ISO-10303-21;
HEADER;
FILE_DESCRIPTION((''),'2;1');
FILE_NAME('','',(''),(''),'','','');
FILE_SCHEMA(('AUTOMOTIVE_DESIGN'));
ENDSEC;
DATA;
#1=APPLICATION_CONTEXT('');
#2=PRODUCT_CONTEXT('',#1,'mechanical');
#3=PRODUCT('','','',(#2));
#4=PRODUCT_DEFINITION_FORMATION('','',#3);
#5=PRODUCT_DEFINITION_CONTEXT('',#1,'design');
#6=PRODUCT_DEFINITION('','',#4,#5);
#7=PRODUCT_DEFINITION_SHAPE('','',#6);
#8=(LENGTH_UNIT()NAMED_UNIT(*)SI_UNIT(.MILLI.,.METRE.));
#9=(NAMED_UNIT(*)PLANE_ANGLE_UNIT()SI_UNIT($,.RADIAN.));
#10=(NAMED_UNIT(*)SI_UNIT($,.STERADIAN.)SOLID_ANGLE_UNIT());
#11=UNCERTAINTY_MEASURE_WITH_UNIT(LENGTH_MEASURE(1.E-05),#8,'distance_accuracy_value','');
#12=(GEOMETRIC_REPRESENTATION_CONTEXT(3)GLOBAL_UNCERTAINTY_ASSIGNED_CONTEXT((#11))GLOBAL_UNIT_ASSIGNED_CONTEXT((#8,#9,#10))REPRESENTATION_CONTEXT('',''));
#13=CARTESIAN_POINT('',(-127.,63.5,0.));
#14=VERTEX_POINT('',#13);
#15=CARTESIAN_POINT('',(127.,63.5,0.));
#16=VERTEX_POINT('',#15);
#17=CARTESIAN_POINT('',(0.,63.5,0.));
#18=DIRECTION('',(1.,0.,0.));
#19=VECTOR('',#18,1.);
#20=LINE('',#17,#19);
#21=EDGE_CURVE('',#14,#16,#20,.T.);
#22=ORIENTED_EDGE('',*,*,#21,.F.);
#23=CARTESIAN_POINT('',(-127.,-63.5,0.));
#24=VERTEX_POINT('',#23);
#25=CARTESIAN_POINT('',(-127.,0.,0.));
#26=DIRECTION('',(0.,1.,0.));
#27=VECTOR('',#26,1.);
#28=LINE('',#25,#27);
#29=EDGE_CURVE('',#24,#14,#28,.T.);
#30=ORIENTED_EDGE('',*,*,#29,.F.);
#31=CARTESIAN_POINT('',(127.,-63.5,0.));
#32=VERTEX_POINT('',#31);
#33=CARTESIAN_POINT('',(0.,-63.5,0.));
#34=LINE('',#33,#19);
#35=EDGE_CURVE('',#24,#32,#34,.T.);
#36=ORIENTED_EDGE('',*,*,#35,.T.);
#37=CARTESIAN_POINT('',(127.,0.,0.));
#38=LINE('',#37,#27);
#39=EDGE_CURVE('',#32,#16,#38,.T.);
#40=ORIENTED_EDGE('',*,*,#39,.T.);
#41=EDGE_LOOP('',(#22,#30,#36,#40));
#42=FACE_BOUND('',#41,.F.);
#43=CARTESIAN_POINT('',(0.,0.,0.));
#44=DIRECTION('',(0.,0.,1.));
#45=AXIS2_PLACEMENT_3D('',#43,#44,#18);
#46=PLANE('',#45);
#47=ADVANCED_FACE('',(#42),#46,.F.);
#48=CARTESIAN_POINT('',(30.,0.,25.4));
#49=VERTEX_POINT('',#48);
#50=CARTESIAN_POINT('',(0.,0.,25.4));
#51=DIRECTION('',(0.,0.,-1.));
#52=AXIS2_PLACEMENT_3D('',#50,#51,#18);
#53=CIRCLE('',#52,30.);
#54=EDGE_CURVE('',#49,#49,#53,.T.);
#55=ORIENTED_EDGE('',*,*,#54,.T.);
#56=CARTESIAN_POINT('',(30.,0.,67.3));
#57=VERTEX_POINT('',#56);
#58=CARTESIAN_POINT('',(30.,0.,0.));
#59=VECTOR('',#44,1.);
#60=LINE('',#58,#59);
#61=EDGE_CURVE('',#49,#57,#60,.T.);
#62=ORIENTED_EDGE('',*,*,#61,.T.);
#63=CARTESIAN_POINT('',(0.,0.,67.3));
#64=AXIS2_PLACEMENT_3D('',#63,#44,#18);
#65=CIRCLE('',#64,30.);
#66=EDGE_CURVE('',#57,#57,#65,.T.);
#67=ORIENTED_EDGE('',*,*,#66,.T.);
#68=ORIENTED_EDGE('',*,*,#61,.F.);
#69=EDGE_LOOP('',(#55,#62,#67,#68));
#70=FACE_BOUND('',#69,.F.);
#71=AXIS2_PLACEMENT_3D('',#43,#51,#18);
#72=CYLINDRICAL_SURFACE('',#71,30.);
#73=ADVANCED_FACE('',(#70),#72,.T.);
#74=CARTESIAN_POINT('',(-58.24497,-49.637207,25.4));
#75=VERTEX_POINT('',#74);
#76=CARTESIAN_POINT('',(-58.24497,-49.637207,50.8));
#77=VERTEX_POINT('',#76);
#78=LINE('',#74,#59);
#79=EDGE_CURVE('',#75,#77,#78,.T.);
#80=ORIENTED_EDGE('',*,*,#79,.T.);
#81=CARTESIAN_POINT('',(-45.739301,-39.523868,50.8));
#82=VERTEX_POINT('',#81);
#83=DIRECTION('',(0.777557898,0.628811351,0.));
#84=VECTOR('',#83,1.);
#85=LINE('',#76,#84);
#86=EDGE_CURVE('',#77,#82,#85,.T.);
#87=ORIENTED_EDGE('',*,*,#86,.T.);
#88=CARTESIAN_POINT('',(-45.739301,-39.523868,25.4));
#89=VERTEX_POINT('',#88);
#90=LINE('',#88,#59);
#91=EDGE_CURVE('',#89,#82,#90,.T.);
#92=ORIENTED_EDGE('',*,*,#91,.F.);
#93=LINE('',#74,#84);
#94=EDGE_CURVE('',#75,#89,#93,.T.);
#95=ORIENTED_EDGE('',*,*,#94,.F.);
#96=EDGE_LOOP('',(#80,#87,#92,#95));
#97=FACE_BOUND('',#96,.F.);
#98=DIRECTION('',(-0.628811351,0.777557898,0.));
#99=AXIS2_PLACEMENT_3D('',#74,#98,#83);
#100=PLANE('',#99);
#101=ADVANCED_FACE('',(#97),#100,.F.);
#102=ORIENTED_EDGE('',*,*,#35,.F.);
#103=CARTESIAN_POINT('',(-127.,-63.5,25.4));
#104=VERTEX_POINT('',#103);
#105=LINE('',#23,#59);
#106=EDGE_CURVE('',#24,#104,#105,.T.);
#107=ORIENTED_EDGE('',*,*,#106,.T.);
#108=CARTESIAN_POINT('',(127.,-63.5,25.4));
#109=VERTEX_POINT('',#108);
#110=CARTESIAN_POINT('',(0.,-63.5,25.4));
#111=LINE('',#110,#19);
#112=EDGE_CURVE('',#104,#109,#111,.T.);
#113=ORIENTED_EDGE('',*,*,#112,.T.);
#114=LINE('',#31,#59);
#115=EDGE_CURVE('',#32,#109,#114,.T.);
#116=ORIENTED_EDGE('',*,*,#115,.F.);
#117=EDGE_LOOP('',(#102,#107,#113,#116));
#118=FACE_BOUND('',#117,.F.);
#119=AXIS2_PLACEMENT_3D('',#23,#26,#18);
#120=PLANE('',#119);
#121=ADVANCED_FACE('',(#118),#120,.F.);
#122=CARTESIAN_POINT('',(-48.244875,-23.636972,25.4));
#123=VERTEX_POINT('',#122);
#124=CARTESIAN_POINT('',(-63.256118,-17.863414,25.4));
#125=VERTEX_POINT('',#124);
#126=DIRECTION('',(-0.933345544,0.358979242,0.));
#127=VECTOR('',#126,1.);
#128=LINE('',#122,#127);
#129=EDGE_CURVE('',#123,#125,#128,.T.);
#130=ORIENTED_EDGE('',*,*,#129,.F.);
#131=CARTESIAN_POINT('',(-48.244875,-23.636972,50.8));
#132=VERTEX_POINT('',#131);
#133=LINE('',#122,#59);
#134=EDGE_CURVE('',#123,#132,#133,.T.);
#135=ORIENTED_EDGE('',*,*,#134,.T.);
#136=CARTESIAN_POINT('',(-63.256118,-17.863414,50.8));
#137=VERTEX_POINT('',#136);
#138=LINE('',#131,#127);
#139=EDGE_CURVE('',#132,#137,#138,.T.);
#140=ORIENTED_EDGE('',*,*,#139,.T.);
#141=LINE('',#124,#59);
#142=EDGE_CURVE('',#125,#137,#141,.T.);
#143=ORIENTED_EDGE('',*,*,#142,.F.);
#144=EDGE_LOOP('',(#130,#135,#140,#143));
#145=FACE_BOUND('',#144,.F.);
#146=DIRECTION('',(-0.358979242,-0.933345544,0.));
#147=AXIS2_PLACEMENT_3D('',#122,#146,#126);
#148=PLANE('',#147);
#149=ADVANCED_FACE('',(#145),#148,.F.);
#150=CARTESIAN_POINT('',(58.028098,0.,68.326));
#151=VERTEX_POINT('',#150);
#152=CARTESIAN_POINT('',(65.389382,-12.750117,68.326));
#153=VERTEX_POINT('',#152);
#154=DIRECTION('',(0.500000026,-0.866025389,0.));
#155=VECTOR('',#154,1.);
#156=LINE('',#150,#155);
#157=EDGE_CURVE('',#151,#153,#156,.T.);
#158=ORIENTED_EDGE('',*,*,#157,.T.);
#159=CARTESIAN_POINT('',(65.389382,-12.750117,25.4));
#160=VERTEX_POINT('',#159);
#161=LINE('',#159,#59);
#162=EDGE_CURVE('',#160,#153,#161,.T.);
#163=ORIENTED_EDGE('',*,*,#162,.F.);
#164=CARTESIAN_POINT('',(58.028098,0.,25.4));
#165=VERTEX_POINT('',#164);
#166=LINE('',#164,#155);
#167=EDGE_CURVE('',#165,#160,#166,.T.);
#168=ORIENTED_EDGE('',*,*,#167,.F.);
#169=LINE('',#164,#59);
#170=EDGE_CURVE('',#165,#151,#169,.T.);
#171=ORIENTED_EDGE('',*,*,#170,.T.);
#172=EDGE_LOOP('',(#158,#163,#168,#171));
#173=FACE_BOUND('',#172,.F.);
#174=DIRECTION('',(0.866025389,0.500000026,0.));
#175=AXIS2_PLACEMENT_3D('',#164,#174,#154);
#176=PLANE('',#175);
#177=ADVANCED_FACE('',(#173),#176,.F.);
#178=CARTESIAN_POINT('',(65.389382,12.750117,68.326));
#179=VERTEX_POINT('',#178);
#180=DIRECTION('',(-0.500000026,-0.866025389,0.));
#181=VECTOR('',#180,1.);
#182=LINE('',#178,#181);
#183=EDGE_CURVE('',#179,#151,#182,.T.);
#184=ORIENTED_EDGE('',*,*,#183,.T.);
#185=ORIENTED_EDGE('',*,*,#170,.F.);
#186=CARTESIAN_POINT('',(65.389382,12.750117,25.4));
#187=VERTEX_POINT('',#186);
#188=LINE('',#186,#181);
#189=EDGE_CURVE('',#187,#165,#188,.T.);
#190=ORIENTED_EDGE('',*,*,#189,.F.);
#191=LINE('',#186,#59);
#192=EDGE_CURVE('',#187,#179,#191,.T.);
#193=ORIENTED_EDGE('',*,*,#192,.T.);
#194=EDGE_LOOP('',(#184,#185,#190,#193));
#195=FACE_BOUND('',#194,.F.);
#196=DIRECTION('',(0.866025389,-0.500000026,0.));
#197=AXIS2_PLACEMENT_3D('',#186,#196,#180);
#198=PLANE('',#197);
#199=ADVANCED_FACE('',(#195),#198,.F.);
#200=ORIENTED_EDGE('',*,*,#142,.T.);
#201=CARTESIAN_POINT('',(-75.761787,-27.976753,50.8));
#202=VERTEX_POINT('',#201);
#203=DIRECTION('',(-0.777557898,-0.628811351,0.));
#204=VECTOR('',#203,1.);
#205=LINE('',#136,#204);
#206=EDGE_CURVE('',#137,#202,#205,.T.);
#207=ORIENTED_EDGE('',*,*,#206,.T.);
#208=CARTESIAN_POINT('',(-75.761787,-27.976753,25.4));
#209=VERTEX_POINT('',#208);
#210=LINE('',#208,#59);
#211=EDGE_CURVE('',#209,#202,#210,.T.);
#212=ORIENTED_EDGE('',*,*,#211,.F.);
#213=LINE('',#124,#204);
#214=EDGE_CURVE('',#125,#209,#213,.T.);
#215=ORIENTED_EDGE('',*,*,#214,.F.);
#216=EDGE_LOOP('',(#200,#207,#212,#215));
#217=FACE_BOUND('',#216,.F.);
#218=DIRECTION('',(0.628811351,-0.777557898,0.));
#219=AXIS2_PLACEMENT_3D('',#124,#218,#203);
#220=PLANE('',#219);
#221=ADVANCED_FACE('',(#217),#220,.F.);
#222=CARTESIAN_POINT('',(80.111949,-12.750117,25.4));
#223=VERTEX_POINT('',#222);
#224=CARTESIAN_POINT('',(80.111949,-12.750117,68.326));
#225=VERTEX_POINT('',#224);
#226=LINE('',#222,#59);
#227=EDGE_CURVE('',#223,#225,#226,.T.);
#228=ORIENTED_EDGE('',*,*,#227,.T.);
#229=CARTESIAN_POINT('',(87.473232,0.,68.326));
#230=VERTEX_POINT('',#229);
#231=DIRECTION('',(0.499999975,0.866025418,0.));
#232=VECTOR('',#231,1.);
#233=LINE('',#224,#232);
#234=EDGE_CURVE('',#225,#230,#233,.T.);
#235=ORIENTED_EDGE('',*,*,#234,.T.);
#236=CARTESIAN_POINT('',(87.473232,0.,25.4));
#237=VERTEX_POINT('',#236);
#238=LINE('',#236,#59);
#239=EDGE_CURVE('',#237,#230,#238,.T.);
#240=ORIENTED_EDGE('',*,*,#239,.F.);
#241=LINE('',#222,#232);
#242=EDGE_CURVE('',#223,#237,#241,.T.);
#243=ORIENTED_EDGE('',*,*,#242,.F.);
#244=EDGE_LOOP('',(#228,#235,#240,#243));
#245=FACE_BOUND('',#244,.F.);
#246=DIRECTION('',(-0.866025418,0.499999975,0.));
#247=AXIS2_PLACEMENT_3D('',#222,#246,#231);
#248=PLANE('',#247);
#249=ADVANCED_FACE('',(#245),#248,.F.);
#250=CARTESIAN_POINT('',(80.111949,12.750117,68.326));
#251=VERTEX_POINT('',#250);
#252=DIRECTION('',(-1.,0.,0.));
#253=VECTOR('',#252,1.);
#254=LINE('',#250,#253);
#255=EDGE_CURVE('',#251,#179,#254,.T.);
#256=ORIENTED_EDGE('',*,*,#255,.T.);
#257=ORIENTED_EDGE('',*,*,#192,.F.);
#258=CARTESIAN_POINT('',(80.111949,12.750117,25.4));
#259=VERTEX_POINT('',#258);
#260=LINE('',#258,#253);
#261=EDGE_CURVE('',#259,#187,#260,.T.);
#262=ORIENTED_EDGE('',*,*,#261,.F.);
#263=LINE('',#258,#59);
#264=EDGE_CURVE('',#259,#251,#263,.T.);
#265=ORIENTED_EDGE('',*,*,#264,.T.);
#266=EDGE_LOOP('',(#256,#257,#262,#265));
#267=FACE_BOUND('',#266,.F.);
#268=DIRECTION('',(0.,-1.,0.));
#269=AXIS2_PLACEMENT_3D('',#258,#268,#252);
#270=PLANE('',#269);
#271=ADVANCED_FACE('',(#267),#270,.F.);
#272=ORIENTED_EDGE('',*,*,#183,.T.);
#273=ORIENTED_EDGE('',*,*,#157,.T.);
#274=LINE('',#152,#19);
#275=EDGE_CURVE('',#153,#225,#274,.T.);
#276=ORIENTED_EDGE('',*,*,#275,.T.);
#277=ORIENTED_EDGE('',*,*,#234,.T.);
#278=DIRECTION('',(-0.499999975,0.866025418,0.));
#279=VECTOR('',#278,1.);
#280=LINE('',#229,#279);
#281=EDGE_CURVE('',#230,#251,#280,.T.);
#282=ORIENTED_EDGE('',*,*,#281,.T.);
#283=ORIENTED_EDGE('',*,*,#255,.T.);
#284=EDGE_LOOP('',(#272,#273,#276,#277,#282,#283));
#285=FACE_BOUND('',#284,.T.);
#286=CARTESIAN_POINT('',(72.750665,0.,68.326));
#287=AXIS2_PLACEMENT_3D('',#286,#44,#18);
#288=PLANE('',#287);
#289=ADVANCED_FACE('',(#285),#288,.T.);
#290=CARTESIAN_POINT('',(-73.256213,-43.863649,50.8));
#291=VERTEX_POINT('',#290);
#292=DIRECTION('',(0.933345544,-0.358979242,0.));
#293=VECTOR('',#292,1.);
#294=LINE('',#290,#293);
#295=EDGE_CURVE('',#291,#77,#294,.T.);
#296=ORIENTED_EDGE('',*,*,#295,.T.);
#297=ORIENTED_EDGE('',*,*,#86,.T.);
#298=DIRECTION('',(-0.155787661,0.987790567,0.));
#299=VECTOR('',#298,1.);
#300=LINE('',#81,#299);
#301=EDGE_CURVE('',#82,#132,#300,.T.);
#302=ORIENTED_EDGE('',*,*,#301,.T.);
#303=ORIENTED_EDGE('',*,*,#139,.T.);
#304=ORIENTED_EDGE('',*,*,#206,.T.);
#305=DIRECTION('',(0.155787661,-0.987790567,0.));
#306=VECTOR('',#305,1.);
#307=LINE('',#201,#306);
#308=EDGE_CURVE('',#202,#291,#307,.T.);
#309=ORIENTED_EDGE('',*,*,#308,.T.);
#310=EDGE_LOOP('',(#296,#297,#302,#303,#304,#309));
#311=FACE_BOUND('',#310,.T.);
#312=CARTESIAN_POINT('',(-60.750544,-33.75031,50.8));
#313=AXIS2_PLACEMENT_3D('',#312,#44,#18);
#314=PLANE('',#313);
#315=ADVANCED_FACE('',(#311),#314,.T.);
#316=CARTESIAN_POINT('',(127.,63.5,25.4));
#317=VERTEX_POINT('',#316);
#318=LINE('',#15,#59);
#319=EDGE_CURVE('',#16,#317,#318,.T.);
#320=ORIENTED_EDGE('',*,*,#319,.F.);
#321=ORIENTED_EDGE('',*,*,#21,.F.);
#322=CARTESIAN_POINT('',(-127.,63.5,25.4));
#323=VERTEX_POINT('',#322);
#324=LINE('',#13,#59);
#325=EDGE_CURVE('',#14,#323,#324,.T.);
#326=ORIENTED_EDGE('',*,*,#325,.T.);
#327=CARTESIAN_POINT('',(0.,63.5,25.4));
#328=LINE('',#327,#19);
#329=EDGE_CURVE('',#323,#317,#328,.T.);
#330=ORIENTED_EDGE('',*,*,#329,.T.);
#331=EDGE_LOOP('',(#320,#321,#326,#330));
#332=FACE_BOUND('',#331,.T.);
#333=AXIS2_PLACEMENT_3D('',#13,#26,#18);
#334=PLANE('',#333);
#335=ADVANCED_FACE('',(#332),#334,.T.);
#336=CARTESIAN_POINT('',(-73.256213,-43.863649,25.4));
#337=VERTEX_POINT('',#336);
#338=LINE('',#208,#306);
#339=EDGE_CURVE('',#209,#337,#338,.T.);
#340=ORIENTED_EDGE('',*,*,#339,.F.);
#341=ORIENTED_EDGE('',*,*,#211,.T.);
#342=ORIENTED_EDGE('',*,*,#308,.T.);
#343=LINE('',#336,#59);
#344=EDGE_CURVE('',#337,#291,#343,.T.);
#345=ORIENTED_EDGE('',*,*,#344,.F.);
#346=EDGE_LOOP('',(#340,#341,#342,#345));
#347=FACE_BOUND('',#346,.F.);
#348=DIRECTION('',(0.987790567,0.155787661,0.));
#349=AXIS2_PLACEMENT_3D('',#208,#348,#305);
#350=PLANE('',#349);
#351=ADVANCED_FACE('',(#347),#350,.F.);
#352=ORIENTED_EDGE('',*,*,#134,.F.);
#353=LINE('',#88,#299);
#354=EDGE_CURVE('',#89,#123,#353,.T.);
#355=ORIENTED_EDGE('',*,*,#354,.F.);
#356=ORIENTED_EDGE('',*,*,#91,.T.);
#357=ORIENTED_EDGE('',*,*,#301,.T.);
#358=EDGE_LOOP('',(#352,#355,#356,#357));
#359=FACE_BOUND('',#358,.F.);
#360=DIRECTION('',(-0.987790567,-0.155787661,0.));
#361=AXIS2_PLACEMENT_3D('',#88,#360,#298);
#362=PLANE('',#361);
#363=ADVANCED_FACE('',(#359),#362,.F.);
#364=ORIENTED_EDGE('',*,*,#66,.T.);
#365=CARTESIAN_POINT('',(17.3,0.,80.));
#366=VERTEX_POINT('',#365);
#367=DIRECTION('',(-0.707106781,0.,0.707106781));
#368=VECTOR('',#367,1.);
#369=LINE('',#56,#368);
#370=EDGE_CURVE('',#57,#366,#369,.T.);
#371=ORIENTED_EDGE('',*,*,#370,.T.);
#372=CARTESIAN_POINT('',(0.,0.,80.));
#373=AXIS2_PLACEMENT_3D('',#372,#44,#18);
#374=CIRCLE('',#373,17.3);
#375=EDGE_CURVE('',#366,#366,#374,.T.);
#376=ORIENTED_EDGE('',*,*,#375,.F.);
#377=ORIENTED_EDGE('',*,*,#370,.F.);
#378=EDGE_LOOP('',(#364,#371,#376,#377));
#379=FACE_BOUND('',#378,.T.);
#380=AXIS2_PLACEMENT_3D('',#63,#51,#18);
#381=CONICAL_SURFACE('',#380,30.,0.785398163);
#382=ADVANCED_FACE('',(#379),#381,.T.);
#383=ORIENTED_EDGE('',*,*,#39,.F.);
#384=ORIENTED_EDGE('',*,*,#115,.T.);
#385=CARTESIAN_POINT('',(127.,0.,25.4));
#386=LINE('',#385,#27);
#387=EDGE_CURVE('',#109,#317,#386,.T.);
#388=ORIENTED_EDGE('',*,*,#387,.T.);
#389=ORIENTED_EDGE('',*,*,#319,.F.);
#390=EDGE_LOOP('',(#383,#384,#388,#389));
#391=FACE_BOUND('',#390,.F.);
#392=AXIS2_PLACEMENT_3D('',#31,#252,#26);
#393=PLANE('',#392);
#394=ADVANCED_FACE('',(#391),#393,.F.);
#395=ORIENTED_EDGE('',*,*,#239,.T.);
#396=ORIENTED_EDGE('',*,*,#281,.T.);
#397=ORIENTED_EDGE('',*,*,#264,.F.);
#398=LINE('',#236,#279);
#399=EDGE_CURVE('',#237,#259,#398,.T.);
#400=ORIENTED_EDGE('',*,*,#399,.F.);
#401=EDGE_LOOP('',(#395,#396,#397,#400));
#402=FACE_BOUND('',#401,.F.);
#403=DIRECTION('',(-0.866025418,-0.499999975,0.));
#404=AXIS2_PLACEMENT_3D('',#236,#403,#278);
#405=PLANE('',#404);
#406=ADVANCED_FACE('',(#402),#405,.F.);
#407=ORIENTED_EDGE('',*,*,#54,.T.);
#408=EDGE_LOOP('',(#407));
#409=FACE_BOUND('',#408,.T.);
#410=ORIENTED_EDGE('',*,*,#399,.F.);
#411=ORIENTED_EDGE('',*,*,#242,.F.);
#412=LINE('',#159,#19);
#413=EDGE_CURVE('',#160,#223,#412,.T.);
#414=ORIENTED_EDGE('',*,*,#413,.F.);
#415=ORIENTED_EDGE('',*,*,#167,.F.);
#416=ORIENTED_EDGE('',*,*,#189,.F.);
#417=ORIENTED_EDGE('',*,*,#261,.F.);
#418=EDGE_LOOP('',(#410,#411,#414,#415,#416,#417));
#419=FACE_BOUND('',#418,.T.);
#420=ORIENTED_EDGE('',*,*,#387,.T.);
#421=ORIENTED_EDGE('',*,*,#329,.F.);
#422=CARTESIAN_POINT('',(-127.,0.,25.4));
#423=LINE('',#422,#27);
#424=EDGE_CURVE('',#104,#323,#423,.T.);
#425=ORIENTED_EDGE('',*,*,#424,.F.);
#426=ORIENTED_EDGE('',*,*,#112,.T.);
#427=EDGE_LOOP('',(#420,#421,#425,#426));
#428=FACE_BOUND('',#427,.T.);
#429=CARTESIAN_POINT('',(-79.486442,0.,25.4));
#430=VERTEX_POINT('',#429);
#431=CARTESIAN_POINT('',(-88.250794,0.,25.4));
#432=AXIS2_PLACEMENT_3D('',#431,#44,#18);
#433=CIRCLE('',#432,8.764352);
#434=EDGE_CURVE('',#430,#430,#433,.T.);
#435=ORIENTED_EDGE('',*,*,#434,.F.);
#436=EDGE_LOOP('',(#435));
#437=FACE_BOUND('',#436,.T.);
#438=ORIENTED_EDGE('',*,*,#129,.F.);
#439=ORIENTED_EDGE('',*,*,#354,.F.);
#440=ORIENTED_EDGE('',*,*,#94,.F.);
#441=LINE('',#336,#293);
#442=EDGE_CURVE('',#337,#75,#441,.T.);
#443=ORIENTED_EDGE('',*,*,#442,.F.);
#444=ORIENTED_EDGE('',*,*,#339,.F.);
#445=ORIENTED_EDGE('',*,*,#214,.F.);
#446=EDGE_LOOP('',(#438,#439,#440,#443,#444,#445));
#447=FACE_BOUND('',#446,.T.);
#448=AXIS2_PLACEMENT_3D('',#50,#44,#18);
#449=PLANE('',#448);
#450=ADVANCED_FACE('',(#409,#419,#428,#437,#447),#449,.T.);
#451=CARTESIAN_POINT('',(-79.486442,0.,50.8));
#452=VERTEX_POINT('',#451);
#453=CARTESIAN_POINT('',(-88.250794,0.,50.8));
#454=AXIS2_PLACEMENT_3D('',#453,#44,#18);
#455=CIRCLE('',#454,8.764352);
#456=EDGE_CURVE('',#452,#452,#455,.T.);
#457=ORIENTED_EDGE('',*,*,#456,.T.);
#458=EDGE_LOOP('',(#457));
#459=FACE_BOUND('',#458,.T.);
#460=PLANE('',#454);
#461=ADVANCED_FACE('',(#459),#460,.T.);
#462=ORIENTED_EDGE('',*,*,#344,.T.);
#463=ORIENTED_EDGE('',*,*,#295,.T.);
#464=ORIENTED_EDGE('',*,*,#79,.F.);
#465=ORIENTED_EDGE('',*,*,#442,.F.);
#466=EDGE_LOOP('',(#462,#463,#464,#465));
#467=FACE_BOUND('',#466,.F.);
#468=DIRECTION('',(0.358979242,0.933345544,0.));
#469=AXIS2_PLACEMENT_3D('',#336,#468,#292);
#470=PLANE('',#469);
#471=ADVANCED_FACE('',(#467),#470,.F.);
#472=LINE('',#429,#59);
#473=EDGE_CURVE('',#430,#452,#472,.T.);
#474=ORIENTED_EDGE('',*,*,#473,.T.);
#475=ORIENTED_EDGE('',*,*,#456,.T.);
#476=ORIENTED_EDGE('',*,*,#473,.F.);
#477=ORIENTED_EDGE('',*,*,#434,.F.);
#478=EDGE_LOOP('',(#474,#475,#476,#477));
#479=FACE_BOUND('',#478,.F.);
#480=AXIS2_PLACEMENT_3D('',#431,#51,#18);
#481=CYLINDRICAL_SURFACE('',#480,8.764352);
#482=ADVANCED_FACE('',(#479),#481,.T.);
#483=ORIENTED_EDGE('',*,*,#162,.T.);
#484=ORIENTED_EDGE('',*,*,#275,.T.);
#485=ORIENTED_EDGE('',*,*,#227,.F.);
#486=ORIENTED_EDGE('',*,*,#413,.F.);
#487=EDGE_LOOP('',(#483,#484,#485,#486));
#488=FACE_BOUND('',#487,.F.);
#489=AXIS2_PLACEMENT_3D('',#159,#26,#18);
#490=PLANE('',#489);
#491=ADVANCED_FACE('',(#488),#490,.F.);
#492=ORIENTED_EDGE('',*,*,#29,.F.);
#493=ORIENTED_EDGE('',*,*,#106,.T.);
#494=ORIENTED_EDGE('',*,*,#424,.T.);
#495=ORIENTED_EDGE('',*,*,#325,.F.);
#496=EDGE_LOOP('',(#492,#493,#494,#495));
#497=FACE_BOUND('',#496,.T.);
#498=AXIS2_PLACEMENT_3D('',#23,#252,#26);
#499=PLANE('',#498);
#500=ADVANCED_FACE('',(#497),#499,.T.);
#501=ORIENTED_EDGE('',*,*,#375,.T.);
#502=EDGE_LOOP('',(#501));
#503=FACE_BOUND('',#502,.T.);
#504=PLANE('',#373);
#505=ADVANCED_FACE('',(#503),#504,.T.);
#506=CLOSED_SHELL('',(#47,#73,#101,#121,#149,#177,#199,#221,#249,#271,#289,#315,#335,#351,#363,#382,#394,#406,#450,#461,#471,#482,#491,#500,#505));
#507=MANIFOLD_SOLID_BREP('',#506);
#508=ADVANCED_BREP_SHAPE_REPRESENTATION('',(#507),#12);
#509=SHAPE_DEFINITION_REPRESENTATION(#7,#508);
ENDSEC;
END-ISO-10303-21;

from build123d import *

# Parameters (mm, degrees)
F0_R      = 30
F1_DEPTH  = 80
F2_W      = 254
F2_H      = 127
F3_DEPTH  = 25.4
F4_SIZE   = 12.7
F5_R      = 8.764352
F6_DEPTH  = 25.4
F8_DEPTH  = 42.926
F10_DEPTH = 25.4


with BuildPart() as f1:
    # F0 (on Top) → F1 (new body)
    with BuildSketch(Plane.XY):
        Circle(F0_R)
    extrude(amount=F1_DEPTH)

    # F2 (on Top) → F3 (join)
    with BuildSketch(Plane.XY):
        Rectangle(F2_W, F2_H)
    extrude(amount=F3_DEPTH)

    # F4
    f4_edges = [f1.edges().sort_by_distance(p)[0] for p in [
        (-30, 0, 80),
    ]]
    chamfer(f4_edges, length=F4_SIZE)

    # F5 (on face) → F6 (join)
    with BuildSketch(Plane.XY.offset(25.4)):
        with Locations((-88.250794, 0)):
            Circle(F5_R)
    extrude(amount=F6_DEPTH)

    # F7 (on face) → F8 (join)
    with BuildSketch(Plane.XY.offset(25.4)):
        Polygon((80.111949, 12.750117), (65.389382, 12.750117), (58.028098, 0), (65.389382, -12.750117), (80.111949, -12.750117), (87.473232, 0), align=None)
    extrude(amount=F8_DEPTH)

    # F9 (on face) → F10 (join)
    with BuildSketch(Plane.XY.offset(25.4)):
        Polygon((-48.244875, -23.636972), (-63.256118, -17.863414), (-75.761787, -27.976753), (-73.256213, -43.863649), (-58.24497, -49.637207), (-45.739301, -39.523868), align=None)
    extrude(amount=F10_DEPTH)


solid = f1.part
